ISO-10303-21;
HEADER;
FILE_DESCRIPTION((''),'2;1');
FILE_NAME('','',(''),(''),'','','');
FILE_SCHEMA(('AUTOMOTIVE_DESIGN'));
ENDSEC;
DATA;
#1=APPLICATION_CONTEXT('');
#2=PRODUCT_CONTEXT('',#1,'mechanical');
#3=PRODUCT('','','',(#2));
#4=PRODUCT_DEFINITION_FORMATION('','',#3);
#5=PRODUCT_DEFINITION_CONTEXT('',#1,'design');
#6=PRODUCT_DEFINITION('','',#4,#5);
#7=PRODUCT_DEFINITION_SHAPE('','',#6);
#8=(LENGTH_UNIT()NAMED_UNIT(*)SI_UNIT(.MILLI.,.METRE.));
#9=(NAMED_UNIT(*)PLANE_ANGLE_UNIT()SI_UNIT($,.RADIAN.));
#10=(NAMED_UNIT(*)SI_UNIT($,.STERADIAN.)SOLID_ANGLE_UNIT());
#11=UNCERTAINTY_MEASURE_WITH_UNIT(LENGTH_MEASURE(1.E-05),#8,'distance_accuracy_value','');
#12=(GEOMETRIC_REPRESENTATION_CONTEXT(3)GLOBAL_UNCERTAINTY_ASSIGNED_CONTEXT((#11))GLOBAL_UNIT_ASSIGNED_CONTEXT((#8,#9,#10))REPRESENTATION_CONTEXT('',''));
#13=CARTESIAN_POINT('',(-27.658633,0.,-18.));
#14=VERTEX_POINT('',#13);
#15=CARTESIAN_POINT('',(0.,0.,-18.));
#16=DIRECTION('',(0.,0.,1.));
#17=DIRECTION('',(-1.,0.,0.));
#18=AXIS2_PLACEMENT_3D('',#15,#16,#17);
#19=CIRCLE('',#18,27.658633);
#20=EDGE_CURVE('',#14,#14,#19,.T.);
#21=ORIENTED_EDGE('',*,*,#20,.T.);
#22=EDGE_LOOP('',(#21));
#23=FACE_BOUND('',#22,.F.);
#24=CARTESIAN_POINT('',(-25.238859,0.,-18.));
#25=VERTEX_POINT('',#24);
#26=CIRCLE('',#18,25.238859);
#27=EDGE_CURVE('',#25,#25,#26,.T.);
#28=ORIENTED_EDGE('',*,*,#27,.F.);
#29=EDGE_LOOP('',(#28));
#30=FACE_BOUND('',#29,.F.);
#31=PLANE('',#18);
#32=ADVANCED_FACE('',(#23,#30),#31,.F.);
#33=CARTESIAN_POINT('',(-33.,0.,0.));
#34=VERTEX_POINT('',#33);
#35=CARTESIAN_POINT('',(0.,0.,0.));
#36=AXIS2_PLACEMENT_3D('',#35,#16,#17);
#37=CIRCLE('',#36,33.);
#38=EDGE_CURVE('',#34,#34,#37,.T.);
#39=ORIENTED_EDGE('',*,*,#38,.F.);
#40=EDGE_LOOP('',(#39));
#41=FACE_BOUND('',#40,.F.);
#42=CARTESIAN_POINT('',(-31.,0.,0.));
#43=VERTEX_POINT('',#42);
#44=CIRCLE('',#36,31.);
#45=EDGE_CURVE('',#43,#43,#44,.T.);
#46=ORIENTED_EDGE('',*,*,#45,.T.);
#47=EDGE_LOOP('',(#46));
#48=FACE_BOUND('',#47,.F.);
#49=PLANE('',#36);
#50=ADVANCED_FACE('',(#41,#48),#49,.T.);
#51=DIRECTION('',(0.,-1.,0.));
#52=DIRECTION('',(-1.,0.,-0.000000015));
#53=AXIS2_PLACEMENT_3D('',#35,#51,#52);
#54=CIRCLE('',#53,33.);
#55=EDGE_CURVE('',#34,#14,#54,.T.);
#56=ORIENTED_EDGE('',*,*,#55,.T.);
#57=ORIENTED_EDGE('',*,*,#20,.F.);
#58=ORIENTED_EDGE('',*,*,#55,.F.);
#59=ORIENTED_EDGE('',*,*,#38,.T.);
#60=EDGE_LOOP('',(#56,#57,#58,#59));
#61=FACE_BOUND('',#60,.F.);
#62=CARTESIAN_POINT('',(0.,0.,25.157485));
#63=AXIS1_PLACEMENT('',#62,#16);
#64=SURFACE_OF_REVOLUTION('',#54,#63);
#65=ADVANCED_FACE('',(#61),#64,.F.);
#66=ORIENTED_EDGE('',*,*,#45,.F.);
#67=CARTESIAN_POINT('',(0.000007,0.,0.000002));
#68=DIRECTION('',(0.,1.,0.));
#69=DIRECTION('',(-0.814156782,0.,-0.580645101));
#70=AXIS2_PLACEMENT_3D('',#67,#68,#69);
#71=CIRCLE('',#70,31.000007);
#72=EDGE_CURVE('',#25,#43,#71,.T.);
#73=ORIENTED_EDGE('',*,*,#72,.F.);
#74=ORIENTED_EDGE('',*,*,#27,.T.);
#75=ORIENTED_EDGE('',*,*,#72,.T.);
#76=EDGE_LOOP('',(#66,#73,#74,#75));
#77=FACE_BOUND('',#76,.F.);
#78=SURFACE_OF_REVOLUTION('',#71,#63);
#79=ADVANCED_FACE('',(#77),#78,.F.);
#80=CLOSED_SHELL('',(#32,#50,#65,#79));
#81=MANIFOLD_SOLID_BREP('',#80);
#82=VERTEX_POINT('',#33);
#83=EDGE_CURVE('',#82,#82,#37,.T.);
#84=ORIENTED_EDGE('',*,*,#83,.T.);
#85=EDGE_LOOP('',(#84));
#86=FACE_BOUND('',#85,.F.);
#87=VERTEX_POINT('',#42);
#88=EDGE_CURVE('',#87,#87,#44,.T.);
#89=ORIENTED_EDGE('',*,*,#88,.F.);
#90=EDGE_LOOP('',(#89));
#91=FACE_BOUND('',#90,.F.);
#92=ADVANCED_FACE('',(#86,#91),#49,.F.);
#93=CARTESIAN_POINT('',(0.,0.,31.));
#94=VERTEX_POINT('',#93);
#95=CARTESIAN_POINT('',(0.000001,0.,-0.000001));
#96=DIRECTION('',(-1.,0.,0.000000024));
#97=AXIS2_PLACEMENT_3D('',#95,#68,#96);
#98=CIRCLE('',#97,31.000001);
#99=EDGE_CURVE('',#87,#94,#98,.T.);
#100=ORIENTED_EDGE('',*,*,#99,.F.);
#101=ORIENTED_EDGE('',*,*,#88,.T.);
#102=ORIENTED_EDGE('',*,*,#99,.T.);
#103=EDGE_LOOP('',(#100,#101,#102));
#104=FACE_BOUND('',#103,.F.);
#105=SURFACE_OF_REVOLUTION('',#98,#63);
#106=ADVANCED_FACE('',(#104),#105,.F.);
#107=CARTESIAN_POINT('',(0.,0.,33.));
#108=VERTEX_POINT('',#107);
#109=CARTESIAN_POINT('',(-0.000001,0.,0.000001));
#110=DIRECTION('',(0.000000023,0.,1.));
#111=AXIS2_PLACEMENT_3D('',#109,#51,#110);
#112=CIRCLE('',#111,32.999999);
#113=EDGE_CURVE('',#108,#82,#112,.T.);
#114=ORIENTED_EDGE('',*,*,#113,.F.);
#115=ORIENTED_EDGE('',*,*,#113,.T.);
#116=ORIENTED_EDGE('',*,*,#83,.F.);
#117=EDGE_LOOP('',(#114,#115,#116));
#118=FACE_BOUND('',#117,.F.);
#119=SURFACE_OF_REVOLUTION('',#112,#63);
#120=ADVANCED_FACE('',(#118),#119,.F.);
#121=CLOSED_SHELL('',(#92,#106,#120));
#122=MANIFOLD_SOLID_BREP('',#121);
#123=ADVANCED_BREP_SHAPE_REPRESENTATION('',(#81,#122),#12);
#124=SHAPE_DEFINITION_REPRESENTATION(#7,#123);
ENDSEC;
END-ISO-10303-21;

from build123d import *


with BuildPart() as f1:
    # F0 (on Front) → F1 (revolve)
    with BuildSketch(Plane.XZ):
        with BuildLine():
            Line((0, 31), (0, 33))
            ThreePointArc((0, 33), (-23.334524, 23.334524), (-33, 0))
            Line((-33, 0), (-31, 0))
            ThreePointArc((-31, 0), (-21.92031, 21.92031), (0, 31))
        make_face()
    revolve(axis=Axis((0, 0, 25.157485), (0, 0, 1)))


with BuildPart() as f3:
    # F2 (on Front) → F3 (revolve)
    with BuildSketch(Plane.XZ):
        with BuildLine():
            Line((-31, 0), (-33, 0))
            ThreePointArc((-33, 0), (-31.636489, -9.387894), (-27.658633, -18))
            Line((-27.658633, -18), (-25.238859, -18))
            ThreePointArc((-25.238859, -18), (-29.524605, -9.449745), (-31, 0))
        make_face()
    revolve(axis=Axis((0, 0, 25.157485), (0, 0, 1)))


solid = Compound([f1.part, f3.part])
